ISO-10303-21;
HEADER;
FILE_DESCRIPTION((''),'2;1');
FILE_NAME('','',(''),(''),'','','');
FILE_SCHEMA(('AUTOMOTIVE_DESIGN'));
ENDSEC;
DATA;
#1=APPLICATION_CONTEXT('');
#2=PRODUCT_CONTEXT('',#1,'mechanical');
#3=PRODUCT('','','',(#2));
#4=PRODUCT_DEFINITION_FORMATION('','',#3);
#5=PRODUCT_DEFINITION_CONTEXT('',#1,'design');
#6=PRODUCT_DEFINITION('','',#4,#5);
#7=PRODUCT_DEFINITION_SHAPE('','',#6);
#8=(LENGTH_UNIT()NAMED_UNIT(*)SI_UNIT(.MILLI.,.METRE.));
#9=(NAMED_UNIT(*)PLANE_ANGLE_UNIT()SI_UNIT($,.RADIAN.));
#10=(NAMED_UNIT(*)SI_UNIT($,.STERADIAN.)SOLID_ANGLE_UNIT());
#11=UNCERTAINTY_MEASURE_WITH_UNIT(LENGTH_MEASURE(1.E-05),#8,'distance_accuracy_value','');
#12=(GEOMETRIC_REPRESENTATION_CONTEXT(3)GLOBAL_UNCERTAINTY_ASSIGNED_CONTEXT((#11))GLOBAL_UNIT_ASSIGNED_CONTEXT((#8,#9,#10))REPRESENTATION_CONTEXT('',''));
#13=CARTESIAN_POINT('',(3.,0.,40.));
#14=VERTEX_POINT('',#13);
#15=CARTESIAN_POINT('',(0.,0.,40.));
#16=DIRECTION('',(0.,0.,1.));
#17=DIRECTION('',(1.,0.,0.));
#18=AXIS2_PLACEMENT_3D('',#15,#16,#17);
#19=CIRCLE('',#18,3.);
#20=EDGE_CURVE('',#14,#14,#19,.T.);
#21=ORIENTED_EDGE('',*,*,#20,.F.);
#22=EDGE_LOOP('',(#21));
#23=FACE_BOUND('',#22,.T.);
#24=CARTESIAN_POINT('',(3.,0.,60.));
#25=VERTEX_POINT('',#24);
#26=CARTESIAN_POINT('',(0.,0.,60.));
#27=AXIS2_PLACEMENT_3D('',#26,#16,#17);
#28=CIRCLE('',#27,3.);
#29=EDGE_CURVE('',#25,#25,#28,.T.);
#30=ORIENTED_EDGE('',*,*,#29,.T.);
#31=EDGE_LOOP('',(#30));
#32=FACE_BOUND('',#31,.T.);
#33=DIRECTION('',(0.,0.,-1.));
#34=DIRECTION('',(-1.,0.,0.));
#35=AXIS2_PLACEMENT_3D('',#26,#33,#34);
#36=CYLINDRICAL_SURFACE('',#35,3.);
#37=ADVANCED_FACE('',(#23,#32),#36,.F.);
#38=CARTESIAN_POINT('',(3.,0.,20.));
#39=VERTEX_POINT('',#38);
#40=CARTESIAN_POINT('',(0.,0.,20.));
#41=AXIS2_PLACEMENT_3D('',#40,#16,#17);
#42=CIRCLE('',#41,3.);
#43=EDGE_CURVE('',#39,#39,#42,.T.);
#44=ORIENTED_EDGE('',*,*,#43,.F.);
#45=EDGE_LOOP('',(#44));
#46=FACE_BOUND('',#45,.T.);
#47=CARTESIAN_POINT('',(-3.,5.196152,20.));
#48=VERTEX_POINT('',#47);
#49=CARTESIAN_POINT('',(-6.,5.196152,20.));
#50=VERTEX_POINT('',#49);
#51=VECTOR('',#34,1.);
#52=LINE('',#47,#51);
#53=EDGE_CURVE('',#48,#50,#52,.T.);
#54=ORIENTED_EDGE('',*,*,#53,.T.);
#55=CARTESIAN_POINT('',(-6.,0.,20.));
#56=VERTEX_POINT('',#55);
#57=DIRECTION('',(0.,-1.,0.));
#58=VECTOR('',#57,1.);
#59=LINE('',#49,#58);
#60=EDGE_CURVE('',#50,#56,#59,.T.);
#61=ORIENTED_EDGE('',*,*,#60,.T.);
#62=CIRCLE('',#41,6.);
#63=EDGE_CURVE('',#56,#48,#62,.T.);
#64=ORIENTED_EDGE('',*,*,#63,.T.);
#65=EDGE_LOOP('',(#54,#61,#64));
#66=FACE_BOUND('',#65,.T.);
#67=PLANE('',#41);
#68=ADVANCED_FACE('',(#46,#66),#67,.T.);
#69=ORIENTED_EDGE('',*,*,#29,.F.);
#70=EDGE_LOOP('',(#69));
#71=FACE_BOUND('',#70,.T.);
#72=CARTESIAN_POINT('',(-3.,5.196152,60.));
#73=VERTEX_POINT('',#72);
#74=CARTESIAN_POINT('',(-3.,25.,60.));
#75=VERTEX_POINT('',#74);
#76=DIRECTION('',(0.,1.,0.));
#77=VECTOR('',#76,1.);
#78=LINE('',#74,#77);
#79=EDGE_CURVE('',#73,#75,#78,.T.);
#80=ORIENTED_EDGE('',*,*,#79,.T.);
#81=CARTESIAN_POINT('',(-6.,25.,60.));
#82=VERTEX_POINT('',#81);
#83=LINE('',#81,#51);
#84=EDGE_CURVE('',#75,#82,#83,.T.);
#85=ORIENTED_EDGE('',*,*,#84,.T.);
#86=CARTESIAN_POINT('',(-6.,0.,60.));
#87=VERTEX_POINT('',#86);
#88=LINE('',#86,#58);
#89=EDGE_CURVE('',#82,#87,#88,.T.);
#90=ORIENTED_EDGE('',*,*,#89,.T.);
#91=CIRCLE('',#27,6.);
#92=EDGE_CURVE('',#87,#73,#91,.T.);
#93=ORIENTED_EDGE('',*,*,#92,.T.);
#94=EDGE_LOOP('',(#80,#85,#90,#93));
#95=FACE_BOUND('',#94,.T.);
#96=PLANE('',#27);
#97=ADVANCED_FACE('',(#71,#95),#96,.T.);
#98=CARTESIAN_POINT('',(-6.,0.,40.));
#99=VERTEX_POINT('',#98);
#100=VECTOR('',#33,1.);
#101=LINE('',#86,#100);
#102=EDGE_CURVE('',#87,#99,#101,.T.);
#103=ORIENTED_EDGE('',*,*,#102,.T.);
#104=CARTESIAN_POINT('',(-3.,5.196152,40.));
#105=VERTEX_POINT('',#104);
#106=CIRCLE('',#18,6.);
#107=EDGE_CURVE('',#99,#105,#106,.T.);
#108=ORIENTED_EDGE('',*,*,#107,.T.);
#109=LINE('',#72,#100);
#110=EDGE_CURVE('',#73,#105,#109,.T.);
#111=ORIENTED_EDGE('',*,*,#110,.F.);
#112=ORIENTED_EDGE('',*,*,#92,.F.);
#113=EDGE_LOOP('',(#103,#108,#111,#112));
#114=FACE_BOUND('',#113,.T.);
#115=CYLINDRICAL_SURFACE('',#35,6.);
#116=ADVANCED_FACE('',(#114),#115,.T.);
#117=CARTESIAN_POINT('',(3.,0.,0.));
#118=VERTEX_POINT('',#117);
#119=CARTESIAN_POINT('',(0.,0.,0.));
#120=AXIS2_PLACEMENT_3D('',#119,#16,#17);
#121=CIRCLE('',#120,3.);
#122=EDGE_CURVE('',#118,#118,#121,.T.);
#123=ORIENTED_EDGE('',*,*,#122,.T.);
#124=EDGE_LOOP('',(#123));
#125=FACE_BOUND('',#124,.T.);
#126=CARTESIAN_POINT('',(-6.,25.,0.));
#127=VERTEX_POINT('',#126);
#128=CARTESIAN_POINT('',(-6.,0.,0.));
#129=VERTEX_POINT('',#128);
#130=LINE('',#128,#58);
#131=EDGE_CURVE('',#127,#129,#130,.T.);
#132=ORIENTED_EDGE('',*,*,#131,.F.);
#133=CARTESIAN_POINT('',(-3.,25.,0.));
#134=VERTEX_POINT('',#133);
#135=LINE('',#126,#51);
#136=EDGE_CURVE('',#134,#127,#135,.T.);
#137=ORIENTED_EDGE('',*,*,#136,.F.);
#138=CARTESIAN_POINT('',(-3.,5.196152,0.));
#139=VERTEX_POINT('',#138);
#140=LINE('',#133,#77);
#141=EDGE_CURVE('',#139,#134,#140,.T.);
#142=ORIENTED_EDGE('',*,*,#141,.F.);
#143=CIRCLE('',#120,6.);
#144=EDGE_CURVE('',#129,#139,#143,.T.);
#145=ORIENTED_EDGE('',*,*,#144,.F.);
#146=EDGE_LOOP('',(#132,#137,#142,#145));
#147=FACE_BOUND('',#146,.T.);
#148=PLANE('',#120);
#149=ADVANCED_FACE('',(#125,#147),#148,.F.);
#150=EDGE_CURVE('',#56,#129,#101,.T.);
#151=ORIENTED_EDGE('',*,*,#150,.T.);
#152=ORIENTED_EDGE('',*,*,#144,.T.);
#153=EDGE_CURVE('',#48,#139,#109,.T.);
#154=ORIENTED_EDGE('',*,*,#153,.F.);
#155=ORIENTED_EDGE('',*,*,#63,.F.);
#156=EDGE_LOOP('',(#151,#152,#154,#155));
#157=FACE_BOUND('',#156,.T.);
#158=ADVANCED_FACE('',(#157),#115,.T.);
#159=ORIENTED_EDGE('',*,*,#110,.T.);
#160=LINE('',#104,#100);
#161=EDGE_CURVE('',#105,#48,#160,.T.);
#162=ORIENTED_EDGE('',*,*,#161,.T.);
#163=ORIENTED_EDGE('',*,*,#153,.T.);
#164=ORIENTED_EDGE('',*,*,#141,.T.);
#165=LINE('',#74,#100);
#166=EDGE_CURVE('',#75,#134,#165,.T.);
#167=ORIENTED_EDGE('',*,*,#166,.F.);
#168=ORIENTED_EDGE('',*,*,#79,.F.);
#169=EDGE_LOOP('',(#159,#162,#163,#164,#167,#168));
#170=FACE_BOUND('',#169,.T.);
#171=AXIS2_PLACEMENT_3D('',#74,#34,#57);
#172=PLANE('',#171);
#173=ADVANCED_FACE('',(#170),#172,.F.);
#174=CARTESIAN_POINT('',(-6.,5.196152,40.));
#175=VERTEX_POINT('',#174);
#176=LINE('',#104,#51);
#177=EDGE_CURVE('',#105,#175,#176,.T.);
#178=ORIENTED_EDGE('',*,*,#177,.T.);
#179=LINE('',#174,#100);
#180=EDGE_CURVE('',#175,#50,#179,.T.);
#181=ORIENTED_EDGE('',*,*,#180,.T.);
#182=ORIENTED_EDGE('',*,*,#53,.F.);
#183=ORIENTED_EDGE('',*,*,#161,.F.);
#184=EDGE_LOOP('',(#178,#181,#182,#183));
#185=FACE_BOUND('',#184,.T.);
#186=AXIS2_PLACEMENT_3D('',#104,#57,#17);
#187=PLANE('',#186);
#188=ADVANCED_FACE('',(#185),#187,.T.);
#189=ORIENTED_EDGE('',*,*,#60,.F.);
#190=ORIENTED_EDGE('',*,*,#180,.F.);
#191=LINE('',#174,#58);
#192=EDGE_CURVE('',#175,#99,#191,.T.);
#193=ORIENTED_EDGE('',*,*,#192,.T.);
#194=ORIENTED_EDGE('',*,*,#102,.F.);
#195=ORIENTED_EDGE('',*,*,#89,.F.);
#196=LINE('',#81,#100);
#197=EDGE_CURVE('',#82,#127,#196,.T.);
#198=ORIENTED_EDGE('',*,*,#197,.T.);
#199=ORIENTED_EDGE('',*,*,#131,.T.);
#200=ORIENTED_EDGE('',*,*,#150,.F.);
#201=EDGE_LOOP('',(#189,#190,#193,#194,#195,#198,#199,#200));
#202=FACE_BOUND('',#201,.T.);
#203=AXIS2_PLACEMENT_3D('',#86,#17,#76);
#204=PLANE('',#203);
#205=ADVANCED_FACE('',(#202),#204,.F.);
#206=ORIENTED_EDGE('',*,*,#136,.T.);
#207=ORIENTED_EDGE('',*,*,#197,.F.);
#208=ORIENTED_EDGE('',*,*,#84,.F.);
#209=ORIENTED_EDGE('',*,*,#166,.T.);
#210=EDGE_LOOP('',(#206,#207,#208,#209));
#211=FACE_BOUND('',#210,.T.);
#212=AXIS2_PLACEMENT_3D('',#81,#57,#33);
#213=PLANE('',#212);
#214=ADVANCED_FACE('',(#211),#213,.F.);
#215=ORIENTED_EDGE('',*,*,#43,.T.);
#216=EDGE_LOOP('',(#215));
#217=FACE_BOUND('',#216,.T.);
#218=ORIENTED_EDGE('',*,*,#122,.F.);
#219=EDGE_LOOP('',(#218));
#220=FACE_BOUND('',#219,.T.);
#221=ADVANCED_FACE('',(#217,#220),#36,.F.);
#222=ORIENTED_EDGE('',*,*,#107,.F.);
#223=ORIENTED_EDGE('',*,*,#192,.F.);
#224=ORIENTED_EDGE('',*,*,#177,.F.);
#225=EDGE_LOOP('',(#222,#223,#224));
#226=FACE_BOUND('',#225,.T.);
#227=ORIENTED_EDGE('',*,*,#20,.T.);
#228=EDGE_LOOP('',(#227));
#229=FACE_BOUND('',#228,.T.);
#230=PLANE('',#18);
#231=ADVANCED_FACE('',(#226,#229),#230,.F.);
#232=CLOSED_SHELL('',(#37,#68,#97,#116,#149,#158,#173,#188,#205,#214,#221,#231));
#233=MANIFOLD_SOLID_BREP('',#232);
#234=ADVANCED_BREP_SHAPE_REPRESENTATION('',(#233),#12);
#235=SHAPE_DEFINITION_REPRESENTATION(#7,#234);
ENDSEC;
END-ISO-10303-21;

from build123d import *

# Parameters (mm, degrees)
SKETCH2_R           = 3
BOSS_EXTRUDE1_DEPTH = 60
CUT_EXTRUDE1_DEPTH  = 20


with BuildPart() as part:
    # Sketch2 → Boss-Extrude1 (new body)
    with BuildSketch(Plane.XY):
        with BuildLine():
            Line((-6, 0), (-6, 25))
            Line((-6, 25), (-3, 25))
            Line((-3, 25), (-3, 5.196152423))
            ThreePointArc((-3, 5.196152423), (5.196152423, -3), (-6, 0))
        make_face()
        Circle(SKETCH2_R, mode=Mode.SUBTRACT)
    extrude(amount=BOSS_EXTRUDE1_DEPTH)

    # Sketch3 → Cut-Extrude1 (cut)
    with BuildSketch(Plane.XY.offset(20)):
        with BuildLine():
            Line((-3, 5.196152423), (-6, 5.196152423))
            Line((-6, 5.196152423), (-6, 0))
            ThreePointArc((-6, 0), (5.196152423, -3), (-3, 5.196152423))
        make_face()
    extrude(amount=CUT_EXTRUDE1_DEPTH, mode=Mode.SUBTRACT)


solid = part.part
